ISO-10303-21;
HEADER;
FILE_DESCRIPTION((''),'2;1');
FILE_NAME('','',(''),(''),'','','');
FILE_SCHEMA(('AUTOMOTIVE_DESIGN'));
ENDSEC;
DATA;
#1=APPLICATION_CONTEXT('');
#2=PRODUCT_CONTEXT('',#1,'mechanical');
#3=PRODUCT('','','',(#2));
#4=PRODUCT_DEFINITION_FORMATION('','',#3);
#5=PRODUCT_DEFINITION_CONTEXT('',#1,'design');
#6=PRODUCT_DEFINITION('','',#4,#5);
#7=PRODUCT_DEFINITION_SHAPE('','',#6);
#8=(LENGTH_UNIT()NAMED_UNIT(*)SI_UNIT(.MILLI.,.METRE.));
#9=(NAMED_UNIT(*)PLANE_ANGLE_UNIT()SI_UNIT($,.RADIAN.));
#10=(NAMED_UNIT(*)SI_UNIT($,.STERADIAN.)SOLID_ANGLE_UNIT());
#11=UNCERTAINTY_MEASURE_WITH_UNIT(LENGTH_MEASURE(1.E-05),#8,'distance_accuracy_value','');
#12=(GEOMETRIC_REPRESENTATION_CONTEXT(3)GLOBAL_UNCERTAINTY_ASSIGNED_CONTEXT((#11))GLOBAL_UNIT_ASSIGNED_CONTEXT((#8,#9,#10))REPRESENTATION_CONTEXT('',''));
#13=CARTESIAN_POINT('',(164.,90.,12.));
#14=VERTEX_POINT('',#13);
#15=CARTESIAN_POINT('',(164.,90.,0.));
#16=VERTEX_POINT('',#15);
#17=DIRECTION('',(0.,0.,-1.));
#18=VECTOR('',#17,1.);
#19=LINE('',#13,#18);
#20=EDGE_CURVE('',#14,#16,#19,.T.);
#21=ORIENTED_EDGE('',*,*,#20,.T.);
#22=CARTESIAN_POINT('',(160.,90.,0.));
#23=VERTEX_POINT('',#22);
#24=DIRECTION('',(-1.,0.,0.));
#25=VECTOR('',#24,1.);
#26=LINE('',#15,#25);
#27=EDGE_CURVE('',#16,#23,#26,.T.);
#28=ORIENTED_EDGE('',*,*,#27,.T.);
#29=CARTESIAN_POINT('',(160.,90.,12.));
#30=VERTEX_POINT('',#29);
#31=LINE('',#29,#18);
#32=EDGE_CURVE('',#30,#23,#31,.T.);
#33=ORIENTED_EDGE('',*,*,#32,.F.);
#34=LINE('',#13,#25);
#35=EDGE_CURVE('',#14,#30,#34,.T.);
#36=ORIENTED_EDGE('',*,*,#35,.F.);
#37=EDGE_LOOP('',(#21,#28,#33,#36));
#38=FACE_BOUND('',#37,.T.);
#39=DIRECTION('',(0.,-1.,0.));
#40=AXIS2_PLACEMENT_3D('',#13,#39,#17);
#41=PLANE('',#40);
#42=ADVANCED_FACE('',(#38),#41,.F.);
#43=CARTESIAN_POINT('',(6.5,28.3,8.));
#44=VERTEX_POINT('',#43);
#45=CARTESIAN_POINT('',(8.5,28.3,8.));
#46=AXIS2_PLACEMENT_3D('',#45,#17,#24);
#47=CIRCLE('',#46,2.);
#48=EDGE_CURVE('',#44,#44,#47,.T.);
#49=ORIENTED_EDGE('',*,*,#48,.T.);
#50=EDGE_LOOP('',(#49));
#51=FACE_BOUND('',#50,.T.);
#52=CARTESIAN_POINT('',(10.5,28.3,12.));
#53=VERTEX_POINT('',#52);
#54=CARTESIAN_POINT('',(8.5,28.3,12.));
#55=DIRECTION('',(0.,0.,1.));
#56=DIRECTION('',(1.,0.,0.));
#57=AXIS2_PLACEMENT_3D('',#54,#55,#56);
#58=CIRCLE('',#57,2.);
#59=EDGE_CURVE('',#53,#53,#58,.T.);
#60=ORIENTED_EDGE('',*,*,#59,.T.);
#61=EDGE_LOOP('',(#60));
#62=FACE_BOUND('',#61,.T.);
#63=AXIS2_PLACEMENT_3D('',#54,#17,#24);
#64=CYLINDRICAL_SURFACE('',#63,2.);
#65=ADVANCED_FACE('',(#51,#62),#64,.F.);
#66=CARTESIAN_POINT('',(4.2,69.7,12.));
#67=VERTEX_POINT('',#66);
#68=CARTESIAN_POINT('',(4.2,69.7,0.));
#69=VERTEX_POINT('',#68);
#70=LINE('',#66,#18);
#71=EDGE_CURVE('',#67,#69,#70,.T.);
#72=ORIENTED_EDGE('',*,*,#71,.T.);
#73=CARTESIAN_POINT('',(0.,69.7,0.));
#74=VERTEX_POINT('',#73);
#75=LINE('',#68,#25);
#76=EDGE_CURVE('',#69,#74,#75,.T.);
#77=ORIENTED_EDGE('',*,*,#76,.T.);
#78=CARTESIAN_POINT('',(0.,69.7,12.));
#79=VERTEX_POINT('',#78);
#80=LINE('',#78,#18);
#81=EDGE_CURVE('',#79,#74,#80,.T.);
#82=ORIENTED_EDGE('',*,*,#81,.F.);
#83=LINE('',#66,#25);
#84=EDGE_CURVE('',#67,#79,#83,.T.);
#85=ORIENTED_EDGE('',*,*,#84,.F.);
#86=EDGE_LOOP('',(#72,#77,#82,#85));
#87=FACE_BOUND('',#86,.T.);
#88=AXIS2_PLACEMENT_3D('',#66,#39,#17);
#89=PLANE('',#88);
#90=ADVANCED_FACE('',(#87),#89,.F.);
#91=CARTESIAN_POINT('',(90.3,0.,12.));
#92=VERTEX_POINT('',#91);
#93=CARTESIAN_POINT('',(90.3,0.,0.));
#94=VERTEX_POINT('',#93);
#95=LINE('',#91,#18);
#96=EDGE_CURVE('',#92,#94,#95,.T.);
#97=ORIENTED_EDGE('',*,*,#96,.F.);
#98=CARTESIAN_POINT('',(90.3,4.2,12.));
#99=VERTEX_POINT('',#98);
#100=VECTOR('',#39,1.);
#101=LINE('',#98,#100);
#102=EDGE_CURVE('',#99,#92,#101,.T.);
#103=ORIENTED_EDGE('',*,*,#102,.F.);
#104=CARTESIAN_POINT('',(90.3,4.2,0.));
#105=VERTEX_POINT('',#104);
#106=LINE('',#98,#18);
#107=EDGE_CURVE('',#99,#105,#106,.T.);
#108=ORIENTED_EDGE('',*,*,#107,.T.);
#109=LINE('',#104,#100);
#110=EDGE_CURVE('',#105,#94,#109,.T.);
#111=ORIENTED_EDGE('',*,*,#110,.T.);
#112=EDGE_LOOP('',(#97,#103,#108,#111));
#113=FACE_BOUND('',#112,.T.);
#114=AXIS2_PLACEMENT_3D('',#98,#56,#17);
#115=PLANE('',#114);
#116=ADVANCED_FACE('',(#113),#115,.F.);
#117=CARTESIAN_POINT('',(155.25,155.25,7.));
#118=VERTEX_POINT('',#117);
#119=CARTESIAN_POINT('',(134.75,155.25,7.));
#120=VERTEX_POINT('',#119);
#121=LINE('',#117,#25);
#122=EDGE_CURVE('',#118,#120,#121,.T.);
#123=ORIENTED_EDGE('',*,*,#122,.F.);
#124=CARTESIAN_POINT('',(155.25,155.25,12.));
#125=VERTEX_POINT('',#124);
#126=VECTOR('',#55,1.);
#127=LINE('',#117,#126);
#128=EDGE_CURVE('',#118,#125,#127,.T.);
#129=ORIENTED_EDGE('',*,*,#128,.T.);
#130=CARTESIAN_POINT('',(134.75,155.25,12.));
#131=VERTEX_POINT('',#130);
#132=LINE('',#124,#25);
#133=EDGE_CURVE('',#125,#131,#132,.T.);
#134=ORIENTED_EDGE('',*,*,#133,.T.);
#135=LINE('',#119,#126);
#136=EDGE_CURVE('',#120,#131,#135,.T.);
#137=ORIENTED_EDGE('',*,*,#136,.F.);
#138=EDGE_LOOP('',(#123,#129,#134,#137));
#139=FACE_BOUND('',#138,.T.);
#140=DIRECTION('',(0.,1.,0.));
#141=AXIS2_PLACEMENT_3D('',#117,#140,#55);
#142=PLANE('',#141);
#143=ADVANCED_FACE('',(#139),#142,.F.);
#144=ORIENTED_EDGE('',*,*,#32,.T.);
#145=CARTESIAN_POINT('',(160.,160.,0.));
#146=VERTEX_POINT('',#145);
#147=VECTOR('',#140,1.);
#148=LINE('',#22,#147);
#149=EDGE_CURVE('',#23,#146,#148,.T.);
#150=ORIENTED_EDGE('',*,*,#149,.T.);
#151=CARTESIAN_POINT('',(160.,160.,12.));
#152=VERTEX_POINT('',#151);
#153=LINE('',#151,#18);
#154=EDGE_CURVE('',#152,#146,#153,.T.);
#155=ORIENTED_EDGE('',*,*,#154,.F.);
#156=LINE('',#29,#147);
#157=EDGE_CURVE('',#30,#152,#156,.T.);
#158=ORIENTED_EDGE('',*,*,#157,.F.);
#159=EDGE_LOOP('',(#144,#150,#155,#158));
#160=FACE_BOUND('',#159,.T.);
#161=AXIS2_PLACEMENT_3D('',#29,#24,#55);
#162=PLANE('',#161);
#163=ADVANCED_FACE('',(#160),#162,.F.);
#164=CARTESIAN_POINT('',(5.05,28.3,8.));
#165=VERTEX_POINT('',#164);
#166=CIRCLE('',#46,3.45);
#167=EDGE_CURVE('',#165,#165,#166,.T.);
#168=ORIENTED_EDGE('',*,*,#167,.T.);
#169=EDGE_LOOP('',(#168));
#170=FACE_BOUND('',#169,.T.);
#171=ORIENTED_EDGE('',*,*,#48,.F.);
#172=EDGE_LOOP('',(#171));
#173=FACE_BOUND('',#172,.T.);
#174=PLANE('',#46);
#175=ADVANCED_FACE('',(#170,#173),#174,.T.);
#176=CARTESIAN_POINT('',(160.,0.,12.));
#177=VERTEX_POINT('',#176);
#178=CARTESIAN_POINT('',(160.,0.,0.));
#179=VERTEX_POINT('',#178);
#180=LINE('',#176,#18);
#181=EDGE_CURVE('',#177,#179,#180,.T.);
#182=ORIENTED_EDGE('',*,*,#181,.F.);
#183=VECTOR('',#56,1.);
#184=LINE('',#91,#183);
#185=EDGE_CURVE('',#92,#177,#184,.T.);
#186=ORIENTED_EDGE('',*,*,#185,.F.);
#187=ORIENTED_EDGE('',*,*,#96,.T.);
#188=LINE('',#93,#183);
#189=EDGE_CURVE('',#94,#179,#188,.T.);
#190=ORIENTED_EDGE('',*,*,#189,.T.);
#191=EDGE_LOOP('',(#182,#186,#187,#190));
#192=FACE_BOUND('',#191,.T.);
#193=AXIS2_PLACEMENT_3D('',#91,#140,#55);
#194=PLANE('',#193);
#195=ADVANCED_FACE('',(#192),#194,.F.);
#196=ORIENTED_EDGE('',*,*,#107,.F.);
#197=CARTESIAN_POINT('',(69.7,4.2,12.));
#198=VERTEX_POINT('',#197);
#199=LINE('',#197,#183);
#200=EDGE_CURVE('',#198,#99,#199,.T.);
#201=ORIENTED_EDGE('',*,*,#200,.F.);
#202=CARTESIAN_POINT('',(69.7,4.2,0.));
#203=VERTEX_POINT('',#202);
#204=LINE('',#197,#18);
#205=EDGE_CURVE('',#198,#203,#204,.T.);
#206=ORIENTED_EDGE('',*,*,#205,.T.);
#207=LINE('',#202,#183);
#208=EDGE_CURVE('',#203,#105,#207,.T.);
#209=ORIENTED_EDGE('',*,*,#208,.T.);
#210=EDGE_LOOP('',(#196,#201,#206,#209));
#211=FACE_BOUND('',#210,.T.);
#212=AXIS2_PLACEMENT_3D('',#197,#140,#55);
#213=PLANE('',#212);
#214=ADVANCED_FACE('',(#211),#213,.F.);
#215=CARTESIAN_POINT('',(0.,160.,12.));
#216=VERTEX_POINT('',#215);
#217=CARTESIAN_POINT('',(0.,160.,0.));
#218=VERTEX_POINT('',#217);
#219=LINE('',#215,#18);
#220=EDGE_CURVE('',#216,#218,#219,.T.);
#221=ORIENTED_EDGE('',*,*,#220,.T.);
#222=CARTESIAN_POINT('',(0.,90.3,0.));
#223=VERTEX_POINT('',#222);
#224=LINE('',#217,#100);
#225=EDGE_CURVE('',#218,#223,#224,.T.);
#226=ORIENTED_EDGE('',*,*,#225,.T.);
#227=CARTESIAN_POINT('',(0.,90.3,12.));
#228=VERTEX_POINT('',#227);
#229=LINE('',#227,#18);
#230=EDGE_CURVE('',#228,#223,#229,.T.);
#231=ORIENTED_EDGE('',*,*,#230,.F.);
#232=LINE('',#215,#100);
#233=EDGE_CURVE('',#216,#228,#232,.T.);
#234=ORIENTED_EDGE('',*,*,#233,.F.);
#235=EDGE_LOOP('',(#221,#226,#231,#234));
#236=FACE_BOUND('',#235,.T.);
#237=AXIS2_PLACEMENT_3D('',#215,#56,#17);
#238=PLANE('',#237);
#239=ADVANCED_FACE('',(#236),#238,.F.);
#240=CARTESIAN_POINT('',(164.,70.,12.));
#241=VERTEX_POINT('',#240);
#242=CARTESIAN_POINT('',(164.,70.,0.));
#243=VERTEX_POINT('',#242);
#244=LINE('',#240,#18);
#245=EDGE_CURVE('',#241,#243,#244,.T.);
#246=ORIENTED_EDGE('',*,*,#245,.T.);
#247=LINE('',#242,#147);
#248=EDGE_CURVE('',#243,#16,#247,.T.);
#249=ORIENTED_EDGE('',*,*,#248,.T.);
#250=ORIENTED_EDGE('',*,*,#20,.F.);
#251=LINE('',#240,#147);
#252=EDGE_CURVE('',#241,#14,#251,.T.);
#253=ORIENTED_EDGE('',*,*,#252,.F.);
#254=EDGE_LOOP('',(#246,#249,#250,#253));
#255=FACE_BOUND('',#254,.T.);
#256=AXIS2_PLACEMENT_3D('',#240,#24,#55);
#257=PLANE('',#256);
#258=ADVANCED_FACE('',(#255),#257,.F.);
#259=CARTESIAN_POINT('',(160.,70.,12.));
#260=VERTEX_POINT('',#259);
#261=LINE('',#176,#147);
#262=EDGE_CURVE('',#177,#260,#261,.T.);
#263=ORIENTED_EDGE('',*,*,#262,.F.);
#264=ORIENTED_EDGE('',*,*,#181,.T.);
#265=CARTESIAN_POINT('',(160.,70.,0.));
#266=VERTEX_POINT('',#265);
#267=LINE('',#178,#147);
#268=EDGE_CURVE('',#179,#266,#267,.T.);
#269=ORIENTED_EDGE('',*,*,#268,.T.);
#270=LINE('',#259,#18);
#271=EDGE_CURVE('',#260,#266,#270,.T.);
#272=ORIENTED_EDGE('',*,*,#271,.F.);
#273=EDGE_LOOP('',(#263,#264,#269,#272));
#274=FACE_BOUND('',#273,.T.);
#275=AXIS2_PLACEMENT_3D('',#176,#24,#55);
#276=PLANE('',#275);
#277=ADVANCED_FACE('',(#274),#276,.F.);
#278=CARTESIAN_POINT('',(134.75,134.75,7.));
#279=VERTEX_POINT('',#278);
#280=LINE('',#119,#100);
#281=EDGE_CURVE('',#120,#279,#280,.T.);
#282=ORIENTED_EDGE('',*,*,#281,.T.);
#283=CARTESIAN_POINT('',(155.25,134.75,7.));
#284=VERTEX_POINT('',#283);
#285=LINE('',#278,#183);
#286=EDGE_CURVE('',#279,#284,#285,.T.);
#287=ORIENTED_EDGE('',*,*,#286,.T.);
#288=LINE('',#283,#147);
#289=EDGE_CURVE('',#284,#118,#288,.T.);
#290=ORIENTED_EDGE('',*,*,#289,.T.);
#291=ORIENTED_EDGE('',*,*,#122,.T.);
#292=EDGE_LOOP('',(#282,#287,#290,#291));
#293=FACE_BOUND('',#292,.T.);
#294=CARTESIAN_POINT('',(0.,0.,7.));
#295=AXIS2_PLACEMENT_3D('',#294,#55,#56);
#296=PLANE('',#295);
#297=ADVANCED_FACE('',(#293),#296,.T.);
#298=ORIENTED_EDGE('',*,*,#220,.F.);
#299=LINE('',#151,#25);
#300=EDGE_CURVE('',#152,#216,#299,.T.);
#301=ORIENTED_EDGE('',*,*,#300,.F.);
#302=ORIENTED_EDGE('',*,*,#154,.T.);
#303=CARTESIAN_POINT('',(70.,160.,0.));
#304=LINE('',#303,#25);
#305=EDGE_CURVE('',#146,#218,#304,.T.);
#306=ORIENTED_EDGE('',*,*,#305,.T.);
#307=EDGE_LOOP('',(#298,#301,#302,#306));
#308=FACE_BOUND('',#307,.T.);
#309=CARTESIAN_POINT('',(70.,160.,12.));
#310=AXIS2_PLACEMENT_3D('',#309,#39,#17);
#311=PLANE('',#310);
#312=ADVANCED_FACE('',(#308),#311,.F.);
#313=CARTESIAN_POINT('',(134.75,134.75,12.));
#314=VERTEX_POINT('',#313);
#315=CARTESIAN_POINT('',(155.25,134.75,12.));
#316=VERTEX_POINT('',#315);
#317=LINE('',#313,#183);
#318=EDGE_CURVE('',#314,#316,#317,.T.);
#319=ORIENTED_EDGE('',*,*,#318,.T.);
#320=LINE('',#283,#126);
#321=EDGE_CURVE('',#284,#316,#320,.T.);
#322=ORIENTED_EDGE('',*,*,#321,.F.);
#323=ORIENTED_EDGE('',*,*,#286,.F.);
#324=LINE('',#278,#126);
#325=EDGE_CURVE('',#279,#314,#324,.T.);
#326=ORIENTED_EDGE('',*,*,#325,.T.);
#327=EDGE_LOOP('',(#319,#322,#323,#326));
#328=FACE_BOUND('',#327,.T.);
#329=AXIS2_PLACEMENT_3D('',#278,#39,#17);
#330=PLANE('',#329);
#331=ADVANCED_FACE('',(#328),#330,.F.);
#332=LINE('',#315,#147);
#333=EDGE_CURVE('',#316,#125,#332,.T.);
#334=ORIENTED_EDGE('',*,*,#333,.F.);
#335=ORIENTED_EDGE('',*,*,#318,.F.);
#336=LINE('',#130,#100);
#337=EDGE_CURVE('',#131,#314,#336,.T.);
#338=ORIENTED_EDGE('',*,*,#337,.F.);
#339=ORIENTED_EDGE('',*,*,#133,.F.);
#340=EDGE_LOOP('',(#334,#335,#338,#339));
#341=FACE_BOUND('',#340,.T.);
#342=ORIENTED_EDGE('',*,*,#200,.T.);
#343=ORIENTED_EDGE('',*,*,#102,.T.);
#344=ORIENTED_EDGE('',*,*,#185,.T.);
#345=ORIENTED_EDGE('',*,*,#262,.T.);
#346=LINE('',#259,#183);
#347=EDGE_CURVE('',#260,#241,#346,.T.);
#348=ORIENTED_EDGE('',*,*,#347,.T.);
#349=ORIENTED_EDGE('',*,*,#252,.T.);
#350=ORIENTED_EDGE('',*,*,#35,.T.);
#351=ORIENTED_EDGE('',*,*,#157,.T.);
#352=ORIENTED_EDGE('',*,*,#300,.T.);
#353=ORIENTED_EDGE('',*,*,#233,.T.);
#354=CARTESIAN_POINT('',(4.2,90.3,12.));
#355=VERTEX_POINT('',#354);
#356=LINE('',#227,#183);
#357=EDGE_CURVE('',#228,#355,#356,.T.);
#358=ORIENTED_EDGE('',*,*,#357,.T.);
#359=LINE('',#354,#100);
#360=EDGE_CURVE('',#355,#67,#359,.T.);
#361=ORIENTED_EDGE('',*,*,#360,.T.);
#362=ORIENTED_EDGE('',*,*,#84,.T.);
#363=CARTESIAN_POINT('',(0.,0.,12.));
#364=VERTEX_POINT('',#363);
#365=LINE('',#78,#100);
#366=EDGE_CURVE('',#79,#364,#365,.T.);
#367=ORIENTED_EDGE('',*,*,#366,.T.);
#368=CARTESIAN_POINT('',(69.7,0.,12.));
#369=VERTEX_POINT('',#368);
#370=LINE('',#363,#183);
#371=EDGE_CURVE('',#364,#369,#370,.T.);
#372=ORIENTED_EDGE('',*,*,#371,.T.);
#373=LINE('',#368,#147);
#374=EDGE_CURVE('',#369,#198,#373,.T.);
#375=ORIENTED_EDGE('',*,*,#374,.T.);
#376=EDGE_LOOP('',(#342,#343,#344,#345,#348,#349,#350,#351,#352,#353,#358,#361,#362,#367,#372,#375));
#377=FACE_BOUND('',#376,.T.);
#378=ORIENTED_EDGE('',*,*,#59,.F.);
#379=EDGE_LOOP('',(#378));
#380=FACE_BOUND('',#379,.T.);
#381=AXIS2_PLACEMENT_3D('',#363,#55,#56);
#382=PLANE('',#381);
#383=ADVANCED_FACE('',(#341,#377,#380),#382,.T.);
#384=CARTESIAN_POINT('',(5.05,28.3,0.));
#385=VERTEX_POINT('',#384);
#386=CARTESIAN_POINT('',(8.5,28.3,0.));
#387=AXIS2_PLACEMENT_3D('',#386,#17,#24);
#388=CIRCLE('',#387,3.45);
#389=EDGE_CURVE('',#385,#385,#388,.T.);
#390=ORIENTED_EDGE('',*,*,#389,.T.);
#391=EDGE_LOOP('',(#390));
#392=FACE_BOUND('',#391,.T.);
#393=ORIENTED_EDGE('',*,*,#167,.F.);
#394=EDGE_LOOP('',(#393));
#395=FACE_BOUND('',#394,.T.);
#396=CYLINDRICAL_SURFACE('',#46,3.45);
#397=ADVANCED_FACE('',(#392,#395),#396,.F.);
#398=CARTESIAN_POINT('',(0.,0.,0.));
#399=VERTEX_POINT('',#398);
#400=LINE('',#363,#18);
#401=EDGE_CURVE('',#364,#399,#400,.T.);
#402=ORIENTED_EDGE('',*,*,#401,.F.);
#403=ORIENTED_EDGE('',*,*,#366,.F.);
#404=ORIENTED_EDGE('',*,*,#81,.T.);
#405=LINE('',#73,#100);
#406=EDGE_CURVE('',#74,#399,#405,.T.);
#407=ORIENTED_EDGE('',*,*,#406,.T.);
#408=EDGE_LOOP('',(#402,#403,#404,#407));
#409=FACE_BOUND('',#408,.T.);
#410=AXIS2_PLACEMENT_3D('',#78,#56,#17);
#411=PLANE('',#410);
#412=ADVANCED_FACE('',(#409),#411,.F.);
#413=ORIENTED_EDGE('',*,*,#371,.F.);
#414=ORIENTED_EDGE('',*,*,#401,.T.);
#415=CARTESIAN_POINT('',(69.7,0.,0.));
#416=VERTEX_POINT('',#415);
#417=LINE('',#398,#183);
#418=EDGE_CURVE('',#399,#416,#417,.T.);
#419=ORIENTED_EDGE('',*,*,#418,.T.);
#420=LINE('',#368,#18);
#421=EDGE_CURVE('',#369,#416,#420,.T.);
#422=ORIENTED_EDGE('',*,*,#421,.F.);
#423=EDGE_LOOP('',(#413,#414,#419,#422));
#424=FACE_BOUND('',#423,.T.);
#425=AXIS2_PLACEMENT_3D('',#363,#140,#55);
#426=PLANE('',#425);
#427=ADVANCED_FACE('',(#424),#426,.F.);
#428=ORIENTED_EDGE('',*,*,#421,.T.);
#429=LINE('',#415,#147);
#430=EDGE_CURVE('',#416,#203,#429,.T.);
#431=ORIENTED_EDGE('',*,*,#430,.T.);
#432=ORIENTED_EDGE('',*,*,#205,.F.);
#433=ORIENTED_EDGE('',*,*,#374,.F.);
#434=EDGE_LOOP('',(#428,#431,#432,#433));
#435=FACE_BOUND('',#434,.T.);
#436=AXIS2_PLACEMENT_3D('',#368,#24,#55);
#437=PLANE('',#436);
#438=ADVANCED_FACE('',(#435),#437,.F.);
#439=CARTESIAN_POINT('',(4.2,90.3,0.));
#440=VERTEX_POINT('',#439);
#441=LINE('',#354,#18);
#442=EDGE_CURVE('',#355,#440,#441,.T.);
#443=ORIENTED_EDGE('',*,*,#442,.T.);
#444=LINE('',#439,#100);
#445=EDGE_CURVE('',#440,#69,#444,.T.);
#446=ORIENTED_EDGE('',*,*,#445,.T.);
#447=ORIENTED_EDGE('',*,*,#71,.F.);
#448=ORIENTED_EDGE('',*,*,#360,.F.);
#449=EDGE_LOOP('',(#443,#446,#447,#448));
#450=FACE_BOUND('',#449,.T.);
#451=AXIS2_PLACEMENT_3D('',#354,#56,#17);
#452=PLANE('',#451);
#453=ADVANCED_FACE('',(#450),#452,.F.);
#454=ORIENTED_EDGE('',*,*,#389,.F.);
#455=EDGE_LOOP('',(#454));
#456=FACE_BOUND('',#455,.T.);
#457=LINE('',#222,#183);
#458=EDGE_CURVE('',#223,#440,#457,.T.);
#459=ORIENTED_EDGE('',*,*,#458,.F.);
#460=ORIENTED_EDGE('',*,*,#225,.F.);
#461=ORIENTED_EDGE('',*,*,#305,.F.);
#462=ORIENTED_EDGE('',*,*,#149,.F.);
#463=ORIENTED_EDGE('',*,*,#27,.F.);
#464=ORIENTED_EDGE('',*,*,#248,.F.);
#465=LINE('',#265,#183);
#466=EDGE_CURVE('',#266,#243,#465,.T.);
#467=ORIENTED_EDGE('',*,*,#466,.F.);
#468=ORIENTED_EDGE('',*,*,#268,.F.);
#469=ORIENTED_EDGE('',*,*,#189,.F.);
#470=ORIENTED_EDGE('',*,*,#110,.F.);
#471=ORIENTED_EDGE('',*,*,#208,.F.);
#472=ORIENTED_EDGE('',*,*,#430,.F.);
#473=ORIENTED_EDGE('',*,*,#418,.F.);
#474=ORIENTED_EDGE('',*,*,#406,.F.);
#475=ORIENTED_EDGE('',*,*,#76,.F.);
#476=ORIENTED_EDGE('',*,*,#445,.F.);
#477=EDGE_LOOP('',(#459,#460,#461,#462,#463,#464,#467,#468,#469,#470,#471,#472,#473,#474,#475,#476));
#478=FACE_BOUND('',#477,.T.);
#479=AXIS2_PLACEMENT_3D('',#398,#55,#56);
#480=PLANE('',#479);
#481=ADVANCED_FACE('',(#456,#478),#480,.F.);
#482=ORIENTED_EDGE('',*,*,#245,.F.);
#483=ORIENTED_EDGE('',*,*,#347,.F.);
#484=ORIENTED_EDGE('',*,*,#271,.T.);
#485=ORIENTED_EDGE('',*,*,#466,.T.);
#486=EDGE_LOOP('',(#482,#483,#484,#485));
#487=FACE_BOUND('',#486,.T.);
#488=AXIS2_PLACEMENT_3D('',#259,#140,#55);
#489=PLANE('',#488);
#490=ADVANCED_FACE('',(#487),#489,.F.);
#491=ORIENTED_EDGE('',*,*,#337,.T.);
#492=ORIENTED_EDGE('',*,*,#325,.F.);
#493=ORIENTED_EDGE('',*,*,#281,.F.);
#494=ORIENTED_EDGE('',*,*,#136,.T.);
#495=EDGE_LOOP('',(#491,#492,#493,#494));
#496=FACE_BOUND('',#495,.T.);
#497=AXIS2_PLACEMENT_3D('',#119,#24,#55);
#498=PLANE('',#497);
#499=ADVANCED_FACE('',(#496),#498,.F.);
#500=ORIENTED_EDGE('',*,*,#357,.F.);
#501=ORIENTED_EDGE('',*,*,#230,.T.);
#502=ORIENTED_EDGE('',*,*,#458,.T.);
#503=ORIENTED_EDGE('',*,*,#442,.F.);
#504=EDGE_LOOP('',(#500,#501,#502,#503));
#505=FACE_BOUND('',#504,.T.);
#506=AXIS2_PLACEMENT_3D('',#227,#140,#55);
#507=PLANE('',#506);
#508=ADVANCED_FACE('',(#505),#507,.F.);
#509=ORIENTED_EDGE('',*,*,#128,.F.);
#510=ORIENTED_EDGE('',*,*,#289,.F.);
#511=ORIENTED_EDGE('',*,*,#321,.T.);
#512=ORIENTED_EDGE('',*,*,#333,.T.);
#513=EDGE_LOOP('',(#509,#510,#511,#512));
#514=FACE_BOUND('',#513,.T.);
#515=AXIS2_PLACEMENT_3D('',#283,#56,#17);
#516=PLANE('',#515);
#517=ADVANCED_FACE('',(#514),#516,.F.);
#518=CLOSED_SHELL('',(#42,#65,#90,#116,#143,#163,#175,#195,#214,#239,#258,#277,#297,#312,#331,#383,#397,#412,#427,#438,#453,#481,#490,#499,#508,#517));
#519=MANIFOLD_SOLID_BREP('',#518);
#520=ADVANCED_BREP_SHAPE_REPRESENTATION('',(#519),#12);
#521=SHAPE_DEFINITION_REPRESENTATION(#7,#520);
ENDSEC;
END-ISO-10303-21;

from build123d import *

# Parameters (mm, degrees)
SKETCH1_R           = 2
BOSS_EXTRUDE1_DEPTH = 12
SKETCH2_W           = 20.5
SKETCH2_H           = 20.5
CUT_EXTRUDE1_DEPTH  = 5
SKETCH4_R           = 3.45
CUT_EXTRUDE3_DEPTH  = 8


with BuildPart() as part:
    # Sketch1 → Boss-Extrude1 (new body)
    with BuildSketch(Plane.XY):
        Polygon((0, 0), (69.7, 0), (69.7, 4.2), (90.3, 4.2), (90.3, 0), (160, 0), (160, 70), (164, 70), (164, 90), (160, 90), (160, 160), (90, 160), (70, 160), (0, 160), (0, 90.3), (4.2, 90.3), (4.2, 69.7), (0, 69.7), align=None)
        with Locations((8.5, 28.3)):
            Circle(SKETCH1_R, mode=Mode.SUBTRACT)
    extrude(amount=BOSS_EXTRUDE1_DEPTH)

    # Sketch2 → Cut-Extrude1 (cut)
    with BuildSketch(Plane.XY.offset(12)):
        with Locations((145, 145)):
            Rectangle(SKETCH2_W, SKETCH2_H)
    extrude(amount=-CUT_EXTRUDE1_DEPTH, mode=Mode.SUBTRACT)

    # Sketch4 → Cut-Extrude3 (cut)
    with BuildSketch(Plane(origin=(0, 0, 0), x_dir=(-1, 0, 0), z_dir=(0, 0, -1))):
        with Locations((-8.5, 28.3)):
            Circle(SKETCH4_R)
    extrude(amount=-CUT_EXTRUDE3_DEPTH, mode=Mode.SUBTRACT)


solid = part.part
